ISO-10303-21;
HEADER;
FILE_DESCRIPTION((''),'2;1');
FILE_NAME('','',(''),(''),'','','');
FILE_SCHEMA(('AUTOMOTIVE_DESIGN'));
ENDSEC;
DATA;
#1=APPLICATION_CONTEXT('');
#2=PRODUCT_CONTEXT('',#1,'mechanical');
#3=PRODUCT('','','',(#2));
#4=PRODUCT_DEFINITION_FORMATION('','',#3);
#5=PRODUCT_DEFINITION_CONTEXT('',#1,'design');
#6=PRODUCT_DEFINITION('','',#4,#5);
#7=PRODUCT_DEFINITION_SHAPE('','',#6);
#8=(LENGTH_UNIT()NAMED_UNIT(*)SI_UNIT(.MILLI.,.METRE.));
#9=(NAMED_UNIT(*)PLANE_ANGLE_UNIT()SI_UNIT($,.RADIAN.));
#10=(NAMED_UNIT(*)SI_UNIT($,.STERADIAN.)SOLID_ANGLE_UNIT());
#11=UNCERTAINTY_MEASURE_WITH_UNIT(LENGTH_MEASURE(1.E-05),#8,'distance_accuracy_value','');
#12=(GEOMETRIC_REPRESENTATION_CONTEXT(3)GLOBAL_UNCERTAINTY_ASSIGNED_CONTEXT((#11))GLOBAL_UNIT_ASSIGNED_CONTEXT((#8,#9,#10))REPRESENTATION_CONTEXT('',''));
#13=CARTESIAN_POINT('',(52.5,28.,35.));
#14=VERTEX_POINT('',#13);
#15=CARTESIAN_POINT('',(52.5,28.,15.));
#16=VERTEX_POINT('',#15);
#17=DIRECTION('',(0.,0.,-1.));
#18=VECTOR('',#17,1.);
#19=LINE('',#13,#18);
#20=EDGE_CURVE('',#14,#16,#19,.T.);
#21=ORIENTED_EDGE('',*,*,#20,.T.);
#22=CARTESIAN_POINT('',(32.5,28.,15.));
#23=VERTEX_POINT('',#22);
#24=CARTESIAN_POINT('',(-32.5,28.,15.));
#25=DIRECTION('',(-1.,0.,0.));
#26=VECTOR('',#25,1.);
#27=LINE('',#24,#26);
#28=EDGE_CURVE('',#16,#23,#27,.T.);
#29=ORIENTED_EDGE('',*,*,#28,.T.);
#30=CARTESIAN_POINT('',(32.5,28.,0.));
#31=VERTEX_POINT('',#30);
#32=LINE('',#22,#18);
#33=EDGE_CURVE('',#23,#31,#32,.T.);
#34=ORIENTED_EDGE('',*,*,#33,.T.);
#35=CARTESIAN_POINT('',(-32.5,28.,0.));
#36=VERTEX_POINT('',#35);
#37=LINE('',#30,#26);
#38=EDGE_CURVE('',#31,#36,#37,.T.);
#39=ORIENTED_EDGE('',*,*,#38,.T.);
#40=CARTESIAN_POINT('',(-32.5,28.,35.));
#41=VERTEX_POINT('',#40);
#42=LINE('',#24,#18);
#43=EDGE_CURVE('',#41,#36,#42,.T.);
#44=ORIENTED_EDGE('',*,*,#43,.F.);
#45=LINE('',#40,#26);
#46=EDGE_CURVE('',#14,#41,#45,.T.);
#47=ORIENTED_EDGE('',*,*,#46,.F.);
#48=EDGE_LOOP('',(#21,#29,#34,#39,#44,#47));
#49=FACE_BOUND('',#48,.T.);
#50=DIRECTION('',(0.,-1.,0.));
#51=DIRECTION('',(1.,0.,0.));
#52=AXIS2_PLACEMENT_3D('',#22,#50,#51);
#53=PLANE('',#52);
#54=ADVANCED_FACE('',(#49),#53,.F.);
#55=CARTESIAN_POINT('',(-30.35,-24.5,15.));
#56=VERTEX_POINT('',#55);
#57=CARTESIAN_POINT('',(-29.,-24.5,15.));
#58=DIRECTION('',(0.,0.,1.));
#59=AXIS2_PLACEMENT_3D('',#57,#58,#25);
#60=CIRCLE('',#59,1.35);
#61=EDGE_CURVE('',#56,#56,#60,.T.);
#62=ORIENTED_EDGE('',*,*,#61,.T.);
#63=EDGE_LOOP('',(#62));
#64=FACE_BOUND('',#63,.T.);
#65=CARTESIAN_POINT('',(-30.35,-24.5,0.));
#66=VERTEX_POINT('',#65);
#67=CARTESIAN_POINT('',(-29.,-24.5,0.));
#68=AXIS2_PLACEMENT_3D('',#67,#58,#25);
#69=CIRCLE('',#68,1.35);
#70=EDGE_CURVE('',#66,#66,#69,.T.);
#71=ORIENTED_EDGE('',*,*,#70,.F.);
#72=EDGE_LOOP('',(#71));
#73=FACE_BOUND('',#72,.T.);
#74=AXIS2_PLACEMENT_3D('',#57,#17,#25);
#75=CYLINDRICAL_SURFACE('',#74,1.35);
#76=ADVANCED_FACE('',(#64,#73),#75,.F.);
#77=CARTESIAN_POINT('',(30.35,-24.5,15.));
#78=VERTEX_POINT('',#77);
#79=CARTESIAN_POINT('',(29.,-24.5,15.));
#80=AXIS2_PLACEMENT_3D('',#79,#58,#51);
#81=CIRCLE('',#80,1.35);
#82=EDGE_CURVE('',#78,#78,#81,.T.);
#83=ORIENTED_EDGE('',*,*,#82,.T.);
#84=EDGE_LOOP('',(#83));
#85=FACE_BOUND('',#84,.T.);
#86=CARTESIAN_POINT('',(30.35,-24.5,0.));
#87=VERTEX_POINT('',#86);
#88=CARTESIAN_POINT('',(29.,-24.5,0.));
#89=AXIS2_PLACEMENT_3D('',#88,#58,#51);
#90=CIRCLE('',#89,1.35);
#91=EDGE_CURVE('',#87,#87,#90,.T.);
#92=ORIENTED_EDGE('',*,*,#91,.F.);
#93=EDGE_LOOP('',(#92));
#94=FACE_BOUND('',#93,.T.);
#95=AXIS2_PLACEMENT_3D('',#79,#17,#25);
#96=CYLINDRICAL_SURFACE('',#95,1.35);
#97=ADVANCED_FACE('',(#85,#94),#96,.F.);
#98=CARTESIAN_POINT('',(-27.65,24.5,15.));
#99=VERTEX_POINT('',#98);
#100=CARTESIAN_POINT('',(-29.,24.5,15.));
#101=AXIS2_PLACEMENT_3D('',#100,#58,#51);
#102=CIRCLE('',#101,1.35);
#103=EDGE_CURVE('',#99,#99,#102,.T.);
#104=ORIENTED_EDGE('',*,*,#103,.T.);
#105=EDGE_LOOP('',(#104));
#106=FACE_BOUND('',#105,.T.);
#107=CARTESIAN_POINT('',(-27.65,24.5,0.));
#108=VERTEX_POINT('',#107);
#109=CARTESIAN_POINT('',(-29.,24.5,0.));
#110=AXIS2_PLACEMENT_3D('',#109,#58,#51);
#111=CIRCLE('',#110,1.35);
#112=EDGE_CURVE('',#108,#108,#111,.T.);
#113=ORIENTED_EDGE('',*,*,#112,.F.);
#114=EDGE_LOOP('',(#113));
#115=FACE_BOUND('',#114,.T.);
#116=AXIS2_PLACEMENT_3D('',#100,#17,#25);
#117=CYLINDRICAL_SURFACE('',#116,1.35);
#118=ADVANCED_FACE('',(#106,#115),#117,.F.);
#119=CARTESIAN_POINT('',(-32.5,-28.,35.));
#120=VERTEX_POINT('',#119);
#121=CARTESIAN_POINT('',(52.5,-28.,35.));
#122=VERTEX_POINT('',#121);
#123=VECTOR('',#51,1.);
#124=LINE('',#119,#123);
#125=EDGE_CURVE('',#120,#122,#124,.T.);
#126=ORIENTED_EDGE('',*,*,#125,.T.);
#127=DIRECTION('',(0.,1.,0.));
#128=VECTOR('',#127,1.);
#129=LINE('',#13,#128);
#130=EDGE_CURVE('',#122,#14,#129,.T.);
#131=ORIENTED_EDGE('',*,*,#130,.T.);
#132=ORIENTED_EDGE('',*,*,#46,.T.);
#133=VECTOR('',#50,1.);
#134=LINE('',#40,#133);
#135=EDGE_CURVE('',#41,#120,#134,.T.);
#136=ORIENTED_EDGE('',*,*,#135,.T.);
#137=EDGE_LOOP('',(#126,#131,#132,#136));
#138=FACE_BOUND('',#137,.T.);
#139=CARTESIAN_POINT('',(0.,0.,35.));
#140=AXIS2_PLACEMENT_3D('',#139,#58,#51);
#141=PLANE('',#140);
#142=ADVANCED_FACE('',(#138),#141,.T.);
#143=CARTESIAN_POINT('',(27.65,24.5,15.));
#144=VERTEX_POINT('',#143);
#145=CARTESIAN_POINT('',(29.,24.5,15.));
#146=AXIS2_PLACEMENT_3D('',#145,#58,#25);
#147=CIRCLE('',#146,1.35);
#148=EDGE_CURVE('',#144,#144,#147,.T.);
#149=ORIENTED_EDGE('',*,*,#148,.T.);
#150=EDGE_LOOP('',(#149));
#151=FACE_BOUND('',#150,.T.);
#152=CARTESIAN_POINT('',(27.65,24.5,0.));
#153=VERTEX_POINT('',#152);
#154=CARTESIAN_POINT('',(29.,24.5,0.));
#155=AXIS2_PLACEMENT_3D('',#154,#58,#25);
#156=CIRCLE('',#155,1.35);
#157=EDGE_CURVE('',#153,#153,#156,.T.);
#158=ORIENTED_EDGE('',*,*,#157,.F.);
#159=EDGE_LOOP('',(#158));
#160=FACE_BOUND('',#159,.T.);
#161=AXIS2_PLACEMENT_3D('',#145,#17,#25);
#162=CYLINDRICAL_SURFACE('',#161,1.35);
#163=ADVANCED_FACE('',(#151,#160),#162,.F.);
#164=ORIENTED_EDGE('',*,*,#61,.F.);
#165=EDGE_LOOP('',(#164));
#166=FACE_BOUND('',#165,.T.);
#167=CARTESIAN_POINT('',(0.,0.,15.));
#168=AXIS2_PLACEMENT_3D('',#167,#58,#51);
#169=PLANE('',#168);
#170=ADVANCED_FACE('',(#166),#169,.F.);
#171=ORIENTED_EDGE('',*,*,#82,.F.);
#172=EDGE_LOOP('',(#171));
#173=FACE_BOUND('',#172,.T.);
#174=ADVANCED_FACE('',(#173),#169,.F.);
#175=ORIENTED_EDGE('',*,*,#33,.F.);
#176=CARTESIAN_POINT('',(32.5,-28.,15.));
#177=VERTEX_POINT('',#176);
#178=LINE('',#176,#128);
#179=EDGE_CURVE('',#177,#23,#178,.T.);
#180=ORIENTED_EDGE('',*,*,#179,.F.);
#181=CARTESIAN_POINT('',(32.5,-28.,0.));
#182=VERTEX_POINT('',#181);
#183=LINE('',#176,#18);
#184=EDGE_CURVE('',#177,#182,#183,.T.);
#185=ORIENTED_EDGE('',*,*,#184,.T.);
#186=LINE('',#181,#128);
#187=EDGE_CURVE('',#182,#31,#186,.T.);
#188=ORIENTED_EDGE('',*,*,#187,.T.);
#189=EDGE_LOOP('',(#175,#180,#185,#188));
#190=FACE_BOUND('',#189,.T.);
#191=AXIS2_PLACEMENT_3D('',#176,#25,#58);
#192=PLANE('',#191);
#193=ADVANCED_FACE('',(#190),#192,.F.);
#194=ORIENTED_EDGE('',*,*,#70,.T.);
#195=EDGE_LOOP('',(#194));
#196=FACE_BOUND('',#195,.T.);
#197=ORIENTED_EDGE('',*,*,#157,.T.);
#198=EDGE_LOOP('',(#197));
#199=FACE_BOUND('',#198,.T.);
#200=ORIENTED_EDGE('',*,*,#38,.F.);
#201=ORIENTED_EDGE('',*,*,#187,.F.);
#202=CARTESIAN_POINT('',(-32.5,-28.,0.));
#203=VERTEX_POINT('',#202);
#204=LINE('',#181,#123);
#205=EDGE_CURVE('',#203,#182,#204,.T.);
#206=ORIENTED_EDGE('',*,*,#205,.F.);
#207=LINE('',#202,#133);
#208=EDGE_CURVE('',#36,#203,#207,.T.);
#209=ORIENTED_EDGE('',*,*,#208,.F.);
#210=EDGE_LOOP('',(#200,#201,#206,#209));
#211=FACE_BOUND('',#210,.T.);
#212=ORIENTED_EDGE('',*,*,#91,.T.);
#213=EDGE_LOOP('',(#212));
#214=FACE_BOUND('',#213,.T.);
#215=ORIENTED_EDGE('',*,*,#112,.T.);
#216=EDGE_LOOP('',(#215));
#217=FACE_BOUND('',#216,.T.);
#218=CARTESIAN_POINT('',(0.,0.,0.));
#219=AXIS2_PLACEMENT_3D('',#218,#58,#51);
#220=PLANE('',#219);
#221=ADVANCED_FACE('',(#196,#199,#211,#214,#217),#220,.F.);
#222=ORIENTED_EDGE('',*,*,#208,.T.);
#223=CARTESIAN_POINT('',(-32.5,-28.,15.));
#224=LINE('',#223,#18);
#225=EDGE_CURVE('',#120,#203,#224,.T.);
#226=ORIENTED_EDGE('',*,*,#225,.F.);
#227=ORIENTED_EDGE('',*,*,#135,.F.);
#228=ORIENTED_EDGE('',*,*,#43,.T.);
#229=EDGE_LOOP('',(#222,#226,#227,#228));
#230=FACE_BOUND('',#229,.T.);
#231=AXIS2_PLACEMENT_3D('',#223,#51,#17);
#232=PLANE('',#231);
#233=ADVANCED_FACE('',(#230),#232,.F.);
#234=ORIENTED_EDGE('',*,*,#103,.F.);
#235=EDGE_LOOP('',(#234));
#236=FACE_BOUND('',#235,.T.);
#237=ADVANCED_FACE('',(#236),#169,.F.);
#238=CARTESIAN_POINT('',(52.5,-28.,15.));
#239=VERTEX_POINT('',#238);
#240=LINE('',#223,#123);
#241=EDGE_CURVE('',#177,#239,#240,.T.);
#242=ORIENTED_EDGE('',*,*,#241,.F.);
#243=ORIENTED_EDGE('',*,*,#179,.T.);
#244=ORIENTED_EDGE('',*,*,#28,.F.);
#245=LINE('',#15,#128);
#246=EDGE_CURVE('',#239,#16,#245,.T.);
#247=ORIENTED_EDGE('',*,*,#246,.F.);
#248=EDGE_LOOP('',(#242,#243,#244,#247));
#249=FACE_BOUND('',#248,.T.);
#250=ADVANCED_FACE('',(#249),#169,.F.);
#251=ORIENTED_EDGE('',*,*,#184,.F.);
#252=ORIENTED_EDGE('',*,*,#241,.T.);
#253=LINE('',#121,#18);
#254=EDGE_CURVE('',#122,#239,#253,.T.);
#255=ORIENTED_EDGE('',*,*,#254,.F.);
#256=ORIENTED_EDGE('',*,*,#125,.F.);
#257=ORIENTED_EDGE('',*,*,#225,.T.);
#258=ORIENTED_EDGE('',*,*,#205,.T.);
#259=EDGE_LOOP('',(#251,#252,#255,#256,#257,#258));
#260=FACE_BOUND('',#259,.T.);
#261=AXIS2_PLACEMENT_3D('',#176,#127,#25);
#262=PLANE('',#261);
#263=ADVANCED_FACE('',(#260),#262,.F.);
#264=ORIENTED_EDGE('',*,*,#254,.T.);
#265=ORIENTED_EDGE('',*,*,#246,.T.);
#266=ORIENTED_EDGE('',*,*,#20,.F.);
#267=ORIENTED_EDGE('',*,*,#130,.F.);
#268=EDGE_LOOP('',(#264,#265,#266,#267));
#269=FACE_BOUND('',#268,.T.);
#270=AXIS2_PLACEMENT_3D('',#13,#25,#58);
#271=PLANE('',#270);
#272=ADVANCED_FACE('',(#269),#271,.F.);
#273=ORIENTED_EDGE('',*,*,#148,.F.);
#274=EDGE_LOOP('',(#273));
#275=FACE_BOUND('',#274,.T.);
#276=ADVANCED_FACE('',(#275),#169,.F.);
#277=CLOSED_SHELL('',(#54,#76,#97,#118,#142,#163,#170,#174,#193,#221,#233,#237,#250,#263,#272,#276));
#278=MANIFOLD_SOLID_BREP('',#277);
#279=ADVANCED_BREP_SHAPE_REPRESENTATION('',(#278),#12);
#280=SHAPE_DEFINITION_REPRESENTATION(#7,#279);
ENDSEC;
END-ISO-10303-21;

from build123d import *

# Parameters (mm, degrees)
SKETCH_1_W      = 65
SKETCH_1_H      = 56
SKETCH_1_R      = 1.35
EXTRUDE_1_DEPTH = 15
SKETCH_2_W      = 85
SKETCH_2_H      = 56
EXTRUDE_2_DEPTH = 20


with BuildPart() as part:
    # 草图1 → 凸台-拉伸1 (new body)
    with BuildSketch(Plane.XY):
        Rectangle(SKETCH_1_W, SKETCH_1_H)
        with Locations((-29, 24.5)):
            Circle(SKETCH_1_R, mode=Mode.SUBTRACT)
        with Locations(Location((29, 24.5, 0), (0, 0, 180))):
            Circle(SKETCH_1_R, mode=Mode.SUBTRACT)
        with Locations(Location((-29, -24.5, 0), (0, 0, 180))):
            Circle(SKETCH_1_R, mode=Mode.SUBTRACT)
        with Locations((29, -24.5)):
            Circle(SKETCH_1_R, mode=Mode.SUBTRACT)
    extrude(amount=EXTRUDE_1_DEPTH)

    # 草图2 → 凸台-拉伸2 (add)
    with BuildSketch(Plane.XY.offset(15)):
        with Locations((10, 0)):
            Rectangle(SKETCH_2_W, SKETCH_2_H)
    extrude(amount=EXTRUDE_2_DEPTH)


solid = part.part
